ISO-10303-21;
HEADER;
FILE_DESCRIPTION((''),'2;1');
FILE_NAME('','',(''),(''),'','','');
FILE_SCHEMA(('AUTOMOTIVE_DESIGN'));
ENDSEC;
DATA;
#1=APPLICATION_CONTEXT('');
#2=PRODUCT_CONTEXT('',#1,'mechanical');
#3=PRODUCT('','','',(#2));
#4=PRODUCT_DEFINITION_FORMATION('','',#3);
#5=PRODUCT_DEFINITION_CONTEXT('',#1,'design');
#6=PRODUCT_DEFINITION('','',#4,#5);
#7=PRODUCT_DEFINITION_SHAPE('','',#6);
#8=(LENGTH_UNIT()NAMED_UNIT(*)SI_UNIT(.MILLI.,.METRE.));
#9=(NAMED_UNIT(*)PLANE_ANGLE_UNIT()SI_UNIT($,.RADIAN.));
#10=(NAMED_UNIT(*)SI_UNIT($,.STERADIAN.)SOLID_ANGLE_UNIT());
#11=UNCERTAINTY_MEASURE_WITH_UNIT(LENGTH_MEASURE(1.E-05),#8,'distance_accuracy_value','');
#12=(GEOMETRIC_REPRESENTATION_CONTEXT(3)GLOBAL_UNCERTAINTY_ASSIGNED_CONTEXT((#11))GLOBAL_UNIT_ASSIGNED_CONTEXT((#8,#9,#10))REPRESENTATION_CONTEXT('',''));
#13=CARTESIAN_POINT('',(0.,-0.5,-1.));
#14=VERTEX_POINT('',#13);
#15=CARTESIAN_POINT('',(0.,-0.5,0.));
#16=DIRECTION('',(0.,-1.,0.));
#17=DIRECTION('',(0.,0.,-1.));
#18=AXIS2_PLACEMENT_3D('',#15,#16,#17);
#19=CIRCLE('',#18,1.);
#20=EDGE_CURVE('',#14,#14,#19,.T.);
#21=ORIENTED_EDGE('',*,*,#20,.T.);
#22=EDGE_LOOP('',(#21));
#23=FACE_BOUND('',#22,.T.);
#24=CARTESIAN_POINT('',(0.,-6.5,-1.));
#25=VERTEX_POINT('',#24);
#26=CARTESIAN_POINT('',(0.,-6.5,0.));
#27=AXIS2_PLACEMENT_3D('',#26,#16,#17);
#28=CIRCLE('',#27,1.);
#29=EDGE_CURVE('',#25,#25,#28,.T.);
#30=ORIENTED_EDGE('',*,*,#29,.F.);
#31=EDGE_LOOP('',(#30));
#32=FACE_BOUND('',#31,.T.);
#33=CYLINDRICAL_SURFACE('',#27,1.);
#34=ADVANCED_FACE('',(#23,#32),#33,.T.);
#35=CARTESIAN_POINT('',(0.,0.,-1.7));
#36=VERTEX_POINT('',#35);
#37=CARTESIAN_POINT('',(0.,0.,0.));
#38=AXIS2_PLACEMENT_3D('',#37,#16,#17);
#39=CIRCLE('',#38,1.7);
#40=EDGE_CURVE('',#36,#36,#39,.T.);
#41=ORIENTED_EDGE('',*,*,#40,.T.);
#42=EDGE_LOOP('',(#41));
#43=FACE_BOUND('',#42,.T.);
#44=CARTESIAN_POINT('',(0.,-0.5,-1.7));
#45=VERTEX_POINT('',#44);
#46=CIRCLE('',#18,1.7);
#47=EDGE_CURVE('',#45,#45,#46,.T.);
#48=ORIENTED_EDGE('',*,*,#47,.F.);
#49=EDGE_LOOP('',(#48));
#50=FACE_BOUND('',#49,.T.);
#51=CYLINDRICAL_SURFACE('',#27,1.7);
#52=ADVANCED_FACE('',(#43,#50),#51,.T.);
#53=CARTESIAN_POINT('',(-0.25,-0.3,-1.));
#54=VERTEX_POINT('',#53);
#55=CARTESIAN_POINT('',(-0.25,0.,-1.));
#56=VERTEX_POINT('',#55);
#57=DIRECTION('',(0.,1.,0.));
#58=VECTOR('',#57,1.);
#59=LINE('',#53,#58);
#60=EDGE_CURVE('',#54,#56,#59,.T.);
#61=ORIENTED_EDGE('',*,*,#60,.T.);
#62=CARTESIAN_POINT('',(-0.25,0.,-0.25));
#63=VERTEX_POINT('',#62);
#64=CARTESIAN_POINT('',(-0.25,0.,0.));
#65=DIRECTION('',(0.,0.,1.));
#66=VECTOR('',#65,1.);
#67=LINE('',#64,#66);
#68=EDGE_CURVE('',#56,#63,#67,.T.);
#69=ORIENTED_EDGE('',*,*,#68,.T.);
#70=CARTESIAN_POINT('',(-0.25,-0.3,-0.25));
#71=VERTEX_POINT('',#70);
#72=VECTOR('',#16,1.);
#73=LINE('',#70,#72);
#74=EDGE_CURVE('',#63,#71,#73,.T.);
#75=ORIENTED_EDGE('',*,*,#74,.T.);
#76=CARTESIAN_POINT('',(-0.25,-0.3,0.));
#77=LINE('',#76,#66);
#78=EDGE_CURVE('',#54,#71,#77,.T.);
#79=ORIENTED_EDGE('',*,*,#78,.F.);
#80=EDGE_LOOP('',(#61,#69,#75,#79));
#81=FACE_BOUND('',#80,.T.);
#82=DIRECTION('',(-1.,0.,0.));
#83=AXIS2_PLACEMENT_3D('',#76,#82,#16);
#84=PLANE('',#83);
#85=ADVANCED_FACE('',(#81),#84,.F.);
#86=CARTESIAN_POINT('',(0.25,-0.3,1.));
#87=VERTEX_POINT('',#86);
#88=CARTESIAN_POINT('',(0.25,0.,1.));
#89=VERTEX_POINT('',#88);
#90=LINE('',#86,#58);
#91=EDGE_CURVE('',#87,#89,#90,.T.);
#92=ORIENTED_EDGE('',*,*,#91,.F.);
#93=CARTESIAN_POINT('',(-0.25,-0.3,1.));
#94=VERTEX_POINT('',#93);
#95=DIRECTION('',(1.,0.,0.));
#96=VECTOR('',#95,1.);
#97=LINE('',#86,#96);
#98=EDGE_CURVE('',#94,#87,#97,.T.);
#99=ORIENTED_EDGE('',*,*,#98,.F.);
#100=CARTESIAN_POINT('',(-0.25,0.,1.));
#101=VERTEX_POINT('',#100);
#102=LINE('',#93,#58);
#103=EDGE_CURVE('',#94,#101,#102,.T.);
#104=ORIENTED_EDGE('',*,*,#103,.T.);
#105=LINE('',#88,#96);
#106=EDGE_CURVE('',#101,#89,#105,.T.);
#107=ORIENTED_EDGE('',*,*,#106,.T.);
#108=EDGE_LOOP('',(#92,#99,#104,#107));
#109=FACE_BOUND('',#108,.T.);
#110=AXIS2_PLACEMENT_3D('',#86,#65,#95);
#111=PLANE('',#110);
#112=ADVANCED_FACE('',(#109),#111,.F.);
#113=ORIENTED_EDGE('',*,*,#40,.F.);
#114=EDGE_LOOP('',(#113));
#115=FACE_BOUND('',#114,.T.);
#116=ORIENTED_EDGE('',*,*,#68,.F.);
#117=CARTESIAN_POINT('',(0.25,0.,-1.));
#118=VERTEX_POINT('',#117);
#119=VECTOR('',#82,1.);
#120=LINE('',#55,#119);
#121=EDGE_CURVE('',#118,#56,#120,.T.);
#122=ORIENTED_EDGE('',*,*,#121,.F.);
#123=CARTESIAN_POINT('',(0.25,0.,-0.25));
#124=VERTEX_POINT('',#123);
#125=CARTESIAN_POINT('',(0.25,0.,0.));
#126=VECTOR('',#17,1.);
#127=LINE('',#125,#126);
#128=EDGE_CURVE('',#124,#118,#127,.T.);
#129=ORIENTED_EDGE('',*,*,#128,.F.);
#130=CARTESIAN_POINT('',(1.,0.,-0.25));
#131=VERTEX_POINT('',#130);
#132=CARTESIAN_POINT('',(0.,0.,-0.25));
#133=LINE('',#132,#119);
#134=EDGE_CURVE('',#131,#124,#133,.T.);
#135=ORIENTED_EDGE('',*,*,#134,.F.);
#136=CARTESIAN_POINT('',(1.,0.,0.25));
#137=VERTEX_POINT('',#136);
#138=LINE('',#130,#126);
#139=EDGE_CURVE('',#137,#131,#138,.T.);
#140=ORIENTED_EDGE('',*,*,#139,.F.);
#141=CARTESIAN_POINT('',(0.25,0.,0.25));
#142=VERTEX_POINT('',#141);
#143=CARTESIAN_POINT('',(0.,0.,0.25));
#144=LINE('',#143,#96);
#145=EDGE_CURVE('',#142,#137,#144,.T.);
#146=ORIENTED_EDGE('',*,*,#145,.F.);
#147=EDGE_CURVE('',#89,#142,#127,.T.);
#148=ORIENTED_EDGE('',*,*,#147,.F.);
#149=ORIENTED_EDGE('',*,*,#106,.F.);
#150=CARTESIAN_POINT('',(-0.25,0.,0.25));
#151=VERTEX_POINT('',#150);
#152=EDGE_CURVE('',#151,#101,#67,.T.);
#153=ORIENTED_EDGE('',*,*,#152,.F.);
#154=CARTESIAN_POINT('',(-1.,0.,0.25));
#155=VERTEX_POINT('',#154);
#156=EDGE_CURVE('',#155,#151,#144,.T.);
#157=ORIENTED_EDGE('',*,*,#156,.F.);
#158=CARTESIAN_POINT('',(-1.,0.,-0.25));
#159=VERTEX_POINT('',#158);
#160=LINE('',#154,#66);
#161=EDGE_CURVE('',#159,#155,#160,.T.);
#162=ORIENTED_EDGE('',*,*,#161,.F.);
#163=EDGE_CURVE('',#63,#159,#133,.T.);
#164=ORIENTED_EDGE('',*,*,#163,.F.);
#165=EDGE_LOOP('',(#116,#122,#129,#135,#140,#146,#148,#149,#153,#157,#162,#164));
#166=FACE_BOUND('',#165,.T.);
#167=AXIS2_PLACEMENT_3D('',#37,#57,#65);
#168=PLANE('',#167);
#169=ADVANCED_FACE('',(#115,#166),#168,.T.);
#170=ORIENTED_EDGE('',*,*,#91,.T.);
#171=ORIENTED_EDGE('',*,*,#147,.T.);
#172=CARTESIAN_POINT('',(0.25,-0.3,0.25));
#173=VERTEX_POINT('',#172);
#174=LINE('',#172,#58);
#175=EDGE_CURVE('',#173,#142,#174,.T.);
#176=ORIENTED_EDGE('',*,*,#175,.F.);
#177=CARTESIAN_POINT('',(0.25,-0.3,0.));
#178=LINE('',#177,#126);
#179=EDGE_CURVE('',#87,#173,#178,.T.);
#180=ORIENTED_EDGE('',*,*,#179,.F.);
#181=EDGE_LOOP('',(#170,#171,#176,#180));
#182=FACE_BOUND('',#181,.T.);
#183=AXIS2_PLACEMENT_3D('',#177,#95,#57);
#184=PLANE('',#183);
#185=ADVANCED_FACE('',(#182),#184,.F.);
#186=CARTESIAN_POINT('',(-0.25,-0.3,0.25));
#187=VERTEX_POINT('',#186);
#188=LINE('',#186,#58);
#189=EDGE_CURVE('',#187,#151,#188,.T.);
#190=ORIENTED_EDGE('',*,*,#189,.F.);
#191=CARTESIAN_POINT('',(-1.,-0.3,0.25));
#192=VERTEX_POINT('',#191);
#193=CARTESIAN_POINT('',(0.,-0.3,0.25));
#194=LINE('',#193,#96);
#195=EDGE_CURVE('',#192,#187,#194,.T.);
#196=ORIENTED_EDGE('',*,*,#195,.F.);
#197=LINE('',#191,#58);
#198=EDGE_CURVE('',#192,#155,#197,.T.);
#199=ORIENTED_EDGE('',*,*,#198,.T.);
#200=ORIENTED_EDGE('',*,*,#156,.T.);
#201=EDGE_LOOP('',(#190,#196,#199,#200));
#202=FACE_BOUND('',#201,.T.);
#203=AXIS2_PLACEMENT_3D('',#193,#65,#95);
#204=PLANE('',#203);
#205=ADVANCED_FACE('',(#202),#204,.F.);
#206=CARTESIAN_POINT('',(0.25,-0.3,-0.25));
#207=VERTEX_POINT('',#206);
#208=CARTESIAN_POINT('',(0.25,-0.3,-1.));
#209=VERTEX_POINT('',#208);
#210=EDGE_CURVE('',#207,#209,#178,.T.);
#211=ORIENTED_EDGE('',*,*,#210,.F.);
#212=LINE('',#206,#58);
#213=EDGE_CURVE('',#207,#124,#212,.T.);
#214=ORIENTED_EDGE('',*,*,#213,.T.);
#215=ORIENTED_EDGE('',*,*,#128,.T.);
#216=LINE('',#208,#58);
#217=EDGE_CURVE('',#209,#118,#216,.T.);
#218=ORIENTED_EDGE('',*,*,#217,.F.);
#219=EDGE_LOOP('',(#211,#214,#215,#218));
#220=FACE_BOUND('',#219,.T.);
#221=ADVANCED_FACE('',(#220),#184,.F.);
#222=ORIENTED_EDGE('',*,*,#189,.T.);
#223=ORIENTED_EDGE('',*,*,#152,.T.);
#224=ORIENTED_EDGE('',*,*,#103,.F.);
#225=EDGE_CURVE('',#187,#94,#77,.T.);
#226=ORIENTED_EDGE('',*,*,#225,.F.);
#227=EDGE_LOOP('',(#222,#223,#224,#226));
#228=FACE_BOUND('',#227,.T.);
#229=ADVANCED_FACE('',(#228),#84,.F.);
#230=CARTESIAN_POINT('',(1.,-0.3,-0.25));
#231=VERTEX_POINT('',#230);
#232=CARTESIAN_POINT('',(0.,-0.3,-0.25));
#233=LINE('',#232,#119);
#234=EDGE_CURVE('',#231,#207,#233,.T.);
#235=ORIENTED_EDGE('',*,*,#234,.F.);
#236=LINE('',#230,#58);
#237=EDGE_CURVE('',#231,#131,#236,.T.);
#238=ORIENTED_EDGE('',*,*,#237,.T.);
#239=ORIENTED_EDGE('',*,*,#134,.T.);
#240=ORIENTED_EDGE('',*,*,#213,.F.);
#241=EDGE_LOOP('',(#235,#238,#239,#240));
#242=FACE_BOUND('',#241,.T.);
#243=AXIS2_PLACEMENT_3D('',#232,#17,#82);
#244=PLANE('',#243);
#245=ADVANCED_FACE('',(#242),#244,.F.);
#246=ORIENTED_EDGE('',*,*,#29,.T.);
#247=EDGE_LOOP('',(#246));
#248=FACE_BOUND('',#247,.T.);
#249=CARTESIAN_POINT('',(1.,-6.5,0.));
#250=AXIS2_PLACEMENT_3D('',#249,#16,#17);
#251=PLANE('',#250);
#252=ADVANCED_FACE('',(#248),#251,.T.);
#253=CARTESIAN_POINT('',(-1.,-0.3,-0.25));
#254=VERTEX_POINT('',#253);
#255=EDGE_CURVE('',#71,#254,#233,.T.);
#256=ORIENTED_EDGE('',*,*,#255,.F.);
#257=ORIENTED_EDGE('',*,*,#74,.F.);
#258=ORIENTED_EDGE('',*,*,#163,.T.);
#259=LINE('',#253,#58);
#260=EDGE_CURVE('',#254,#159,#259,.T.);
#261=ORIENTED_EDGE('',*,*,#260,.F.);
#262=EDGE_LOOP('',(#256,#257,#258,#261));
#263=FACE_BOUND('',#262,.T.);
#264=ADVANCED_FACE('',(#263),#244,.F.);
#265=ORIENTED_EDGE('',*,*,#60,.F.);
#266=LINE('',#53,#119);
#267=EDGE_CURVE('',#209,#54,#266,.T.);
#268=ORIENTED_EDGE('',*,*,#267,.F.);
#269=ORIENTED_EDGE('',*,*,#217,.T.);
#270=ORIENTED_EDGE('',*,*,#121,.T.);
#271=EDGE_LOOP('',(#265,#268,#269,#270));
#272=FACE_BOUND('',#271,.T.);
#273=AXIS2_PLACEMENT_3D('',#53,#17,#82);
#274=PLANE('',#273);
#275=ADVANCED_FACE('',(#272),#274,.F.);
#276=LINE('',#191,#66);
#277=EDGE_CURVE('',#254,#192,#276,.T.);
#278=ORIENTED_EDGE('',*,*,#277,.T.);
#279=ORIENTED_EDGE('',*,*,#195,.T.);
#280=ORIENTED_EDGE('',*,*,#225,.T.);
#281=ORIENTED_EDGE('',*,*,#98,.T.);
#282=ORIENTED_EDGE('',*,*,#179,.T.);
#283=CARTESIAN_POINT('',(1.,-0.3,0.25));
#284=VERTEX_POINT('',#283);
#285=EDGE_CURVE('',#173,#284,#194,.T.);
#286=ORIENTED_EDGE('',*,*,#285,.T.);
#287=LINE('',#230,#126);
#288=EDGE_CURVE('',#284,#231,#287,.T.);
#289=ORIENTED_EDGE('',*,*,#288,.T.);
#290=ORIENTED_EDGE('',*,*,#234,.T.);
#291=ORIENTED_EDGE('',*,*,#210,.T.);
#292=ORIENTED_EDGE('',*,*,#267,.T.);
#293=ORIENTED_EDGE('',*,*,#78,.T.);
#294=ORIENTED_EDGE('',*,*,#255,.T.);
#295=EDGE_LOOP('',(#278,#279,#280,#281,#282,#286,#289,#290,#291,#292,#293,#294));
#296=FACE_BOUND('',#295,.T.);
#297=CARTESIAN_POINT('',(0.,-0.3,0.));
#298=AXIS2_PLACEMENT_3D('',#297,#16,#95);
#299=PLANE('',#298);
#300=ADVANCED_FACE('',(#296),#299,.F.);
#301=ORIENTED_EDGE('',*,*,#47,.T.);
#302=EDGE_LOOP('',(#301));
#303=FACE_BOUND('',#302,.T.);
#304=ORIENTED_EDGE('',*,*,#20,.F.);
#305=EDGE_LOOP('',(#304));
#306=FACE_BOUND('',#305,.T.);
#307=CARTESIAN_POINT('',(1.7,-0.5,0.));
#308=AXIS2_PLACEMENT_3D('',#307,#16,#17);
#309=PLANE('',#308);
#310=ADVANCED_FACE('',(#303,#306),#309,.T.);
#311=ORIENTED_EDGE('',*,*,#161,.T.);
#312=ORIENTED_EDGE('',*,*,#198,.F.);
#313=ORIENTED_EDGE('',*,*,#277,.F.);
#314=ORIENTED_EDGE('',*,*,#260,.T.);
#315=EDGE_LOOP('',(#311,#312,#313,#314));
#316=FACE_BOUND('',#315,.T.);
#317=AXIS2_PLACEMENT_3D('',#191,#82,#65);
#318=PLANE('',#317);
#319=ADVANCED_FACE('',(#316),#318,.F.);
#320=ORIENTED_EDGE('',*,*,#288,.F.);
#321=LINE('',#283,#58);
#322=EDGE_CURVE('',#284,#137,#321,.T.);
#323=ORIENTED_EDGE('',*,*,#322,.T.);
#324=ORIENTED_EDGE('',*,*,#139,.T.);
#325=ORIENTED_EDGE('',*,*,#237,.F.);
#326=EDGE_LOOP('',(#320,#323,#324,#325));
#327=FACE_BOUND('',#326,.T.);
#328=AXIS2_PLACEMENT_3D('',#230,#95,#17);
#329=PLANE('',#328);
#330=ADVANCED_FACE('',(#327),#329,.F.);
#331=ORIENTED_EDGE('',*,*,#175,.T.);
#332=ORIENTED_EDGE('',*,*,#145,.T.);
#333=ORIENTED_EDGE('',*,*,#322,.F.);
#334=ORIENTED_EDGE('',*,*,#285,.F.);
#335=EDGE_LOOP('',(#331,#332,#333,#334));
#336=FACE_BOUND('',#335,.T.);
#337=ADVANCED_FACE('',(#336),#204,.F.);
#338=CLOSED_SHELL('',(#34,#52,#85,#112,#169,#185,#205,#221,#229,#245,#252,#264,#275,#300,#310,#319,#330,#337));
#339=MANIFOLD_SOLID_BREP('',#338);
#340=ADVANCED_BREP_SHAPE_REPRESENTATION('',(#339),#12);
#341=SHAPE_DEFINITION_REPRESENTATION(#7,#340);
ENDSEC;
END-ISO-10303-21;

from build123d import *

# Parameters (mm, degrees)
SKETCH_2_W               = 0.5
SKETCH_2_H               = 1
CUT_EXTRUDE_1_DEPTH      = 0.3
PATTERN_CIRCULAR_1_COUNT = 4


with BuildPart() as part:
    # ｽｹｯﾁ1 → 回転1 (revolve)
    with BuildSketch(Plane.XY, mode=Mode.PRIVATE) as revolve_1_sk:
        Polygon((0, 0), (1.7, 0), (1.7, -0.5), (1, -0.5), (1, -6.5), (0, -6.5), align=None)
    revolve(revolve_1_sk.sketch.rotate(Axis((0, -6.5, 0), (0, 1, 0)), 90), axis=Axis((0, -6.5, 0), (0, 1, 0)))

    # ｽｹｯﾁ2 → ｶｯﾄ - 押し出し1 (cut)
    with BuildSketch(Plane(origin=(0, 0, 0), x_dir=(1, 0, 0), z_dir=(0, 1, 0))):
        with Locations((0, 0.5)):
            Rectangle(SKETCH_2_W, SKETCH_2_H)
    cut_extrude_1 = extrude(amount=-CUT_EXTRUDE_1_DEPTH, mode=Mode.SUBTRACT)

    # 円形ﾊﾟﾀｰﾝ1: ｶｯﾄ - 押し出し1 ×4 about axis
    pattern_circular_1_axis = Axis((0, 0, 0), (0, 1, 0))
    for i in range(1, PATTERN_CIRCULAR_1_COUNT):
        add(cut_extrude_1.rotate(pattern_circular_1_axis, i * 360 / PATTERN_CIRCULAR_1_COUNT), mode=Mode.SUBTRACT)


solid = part.part
